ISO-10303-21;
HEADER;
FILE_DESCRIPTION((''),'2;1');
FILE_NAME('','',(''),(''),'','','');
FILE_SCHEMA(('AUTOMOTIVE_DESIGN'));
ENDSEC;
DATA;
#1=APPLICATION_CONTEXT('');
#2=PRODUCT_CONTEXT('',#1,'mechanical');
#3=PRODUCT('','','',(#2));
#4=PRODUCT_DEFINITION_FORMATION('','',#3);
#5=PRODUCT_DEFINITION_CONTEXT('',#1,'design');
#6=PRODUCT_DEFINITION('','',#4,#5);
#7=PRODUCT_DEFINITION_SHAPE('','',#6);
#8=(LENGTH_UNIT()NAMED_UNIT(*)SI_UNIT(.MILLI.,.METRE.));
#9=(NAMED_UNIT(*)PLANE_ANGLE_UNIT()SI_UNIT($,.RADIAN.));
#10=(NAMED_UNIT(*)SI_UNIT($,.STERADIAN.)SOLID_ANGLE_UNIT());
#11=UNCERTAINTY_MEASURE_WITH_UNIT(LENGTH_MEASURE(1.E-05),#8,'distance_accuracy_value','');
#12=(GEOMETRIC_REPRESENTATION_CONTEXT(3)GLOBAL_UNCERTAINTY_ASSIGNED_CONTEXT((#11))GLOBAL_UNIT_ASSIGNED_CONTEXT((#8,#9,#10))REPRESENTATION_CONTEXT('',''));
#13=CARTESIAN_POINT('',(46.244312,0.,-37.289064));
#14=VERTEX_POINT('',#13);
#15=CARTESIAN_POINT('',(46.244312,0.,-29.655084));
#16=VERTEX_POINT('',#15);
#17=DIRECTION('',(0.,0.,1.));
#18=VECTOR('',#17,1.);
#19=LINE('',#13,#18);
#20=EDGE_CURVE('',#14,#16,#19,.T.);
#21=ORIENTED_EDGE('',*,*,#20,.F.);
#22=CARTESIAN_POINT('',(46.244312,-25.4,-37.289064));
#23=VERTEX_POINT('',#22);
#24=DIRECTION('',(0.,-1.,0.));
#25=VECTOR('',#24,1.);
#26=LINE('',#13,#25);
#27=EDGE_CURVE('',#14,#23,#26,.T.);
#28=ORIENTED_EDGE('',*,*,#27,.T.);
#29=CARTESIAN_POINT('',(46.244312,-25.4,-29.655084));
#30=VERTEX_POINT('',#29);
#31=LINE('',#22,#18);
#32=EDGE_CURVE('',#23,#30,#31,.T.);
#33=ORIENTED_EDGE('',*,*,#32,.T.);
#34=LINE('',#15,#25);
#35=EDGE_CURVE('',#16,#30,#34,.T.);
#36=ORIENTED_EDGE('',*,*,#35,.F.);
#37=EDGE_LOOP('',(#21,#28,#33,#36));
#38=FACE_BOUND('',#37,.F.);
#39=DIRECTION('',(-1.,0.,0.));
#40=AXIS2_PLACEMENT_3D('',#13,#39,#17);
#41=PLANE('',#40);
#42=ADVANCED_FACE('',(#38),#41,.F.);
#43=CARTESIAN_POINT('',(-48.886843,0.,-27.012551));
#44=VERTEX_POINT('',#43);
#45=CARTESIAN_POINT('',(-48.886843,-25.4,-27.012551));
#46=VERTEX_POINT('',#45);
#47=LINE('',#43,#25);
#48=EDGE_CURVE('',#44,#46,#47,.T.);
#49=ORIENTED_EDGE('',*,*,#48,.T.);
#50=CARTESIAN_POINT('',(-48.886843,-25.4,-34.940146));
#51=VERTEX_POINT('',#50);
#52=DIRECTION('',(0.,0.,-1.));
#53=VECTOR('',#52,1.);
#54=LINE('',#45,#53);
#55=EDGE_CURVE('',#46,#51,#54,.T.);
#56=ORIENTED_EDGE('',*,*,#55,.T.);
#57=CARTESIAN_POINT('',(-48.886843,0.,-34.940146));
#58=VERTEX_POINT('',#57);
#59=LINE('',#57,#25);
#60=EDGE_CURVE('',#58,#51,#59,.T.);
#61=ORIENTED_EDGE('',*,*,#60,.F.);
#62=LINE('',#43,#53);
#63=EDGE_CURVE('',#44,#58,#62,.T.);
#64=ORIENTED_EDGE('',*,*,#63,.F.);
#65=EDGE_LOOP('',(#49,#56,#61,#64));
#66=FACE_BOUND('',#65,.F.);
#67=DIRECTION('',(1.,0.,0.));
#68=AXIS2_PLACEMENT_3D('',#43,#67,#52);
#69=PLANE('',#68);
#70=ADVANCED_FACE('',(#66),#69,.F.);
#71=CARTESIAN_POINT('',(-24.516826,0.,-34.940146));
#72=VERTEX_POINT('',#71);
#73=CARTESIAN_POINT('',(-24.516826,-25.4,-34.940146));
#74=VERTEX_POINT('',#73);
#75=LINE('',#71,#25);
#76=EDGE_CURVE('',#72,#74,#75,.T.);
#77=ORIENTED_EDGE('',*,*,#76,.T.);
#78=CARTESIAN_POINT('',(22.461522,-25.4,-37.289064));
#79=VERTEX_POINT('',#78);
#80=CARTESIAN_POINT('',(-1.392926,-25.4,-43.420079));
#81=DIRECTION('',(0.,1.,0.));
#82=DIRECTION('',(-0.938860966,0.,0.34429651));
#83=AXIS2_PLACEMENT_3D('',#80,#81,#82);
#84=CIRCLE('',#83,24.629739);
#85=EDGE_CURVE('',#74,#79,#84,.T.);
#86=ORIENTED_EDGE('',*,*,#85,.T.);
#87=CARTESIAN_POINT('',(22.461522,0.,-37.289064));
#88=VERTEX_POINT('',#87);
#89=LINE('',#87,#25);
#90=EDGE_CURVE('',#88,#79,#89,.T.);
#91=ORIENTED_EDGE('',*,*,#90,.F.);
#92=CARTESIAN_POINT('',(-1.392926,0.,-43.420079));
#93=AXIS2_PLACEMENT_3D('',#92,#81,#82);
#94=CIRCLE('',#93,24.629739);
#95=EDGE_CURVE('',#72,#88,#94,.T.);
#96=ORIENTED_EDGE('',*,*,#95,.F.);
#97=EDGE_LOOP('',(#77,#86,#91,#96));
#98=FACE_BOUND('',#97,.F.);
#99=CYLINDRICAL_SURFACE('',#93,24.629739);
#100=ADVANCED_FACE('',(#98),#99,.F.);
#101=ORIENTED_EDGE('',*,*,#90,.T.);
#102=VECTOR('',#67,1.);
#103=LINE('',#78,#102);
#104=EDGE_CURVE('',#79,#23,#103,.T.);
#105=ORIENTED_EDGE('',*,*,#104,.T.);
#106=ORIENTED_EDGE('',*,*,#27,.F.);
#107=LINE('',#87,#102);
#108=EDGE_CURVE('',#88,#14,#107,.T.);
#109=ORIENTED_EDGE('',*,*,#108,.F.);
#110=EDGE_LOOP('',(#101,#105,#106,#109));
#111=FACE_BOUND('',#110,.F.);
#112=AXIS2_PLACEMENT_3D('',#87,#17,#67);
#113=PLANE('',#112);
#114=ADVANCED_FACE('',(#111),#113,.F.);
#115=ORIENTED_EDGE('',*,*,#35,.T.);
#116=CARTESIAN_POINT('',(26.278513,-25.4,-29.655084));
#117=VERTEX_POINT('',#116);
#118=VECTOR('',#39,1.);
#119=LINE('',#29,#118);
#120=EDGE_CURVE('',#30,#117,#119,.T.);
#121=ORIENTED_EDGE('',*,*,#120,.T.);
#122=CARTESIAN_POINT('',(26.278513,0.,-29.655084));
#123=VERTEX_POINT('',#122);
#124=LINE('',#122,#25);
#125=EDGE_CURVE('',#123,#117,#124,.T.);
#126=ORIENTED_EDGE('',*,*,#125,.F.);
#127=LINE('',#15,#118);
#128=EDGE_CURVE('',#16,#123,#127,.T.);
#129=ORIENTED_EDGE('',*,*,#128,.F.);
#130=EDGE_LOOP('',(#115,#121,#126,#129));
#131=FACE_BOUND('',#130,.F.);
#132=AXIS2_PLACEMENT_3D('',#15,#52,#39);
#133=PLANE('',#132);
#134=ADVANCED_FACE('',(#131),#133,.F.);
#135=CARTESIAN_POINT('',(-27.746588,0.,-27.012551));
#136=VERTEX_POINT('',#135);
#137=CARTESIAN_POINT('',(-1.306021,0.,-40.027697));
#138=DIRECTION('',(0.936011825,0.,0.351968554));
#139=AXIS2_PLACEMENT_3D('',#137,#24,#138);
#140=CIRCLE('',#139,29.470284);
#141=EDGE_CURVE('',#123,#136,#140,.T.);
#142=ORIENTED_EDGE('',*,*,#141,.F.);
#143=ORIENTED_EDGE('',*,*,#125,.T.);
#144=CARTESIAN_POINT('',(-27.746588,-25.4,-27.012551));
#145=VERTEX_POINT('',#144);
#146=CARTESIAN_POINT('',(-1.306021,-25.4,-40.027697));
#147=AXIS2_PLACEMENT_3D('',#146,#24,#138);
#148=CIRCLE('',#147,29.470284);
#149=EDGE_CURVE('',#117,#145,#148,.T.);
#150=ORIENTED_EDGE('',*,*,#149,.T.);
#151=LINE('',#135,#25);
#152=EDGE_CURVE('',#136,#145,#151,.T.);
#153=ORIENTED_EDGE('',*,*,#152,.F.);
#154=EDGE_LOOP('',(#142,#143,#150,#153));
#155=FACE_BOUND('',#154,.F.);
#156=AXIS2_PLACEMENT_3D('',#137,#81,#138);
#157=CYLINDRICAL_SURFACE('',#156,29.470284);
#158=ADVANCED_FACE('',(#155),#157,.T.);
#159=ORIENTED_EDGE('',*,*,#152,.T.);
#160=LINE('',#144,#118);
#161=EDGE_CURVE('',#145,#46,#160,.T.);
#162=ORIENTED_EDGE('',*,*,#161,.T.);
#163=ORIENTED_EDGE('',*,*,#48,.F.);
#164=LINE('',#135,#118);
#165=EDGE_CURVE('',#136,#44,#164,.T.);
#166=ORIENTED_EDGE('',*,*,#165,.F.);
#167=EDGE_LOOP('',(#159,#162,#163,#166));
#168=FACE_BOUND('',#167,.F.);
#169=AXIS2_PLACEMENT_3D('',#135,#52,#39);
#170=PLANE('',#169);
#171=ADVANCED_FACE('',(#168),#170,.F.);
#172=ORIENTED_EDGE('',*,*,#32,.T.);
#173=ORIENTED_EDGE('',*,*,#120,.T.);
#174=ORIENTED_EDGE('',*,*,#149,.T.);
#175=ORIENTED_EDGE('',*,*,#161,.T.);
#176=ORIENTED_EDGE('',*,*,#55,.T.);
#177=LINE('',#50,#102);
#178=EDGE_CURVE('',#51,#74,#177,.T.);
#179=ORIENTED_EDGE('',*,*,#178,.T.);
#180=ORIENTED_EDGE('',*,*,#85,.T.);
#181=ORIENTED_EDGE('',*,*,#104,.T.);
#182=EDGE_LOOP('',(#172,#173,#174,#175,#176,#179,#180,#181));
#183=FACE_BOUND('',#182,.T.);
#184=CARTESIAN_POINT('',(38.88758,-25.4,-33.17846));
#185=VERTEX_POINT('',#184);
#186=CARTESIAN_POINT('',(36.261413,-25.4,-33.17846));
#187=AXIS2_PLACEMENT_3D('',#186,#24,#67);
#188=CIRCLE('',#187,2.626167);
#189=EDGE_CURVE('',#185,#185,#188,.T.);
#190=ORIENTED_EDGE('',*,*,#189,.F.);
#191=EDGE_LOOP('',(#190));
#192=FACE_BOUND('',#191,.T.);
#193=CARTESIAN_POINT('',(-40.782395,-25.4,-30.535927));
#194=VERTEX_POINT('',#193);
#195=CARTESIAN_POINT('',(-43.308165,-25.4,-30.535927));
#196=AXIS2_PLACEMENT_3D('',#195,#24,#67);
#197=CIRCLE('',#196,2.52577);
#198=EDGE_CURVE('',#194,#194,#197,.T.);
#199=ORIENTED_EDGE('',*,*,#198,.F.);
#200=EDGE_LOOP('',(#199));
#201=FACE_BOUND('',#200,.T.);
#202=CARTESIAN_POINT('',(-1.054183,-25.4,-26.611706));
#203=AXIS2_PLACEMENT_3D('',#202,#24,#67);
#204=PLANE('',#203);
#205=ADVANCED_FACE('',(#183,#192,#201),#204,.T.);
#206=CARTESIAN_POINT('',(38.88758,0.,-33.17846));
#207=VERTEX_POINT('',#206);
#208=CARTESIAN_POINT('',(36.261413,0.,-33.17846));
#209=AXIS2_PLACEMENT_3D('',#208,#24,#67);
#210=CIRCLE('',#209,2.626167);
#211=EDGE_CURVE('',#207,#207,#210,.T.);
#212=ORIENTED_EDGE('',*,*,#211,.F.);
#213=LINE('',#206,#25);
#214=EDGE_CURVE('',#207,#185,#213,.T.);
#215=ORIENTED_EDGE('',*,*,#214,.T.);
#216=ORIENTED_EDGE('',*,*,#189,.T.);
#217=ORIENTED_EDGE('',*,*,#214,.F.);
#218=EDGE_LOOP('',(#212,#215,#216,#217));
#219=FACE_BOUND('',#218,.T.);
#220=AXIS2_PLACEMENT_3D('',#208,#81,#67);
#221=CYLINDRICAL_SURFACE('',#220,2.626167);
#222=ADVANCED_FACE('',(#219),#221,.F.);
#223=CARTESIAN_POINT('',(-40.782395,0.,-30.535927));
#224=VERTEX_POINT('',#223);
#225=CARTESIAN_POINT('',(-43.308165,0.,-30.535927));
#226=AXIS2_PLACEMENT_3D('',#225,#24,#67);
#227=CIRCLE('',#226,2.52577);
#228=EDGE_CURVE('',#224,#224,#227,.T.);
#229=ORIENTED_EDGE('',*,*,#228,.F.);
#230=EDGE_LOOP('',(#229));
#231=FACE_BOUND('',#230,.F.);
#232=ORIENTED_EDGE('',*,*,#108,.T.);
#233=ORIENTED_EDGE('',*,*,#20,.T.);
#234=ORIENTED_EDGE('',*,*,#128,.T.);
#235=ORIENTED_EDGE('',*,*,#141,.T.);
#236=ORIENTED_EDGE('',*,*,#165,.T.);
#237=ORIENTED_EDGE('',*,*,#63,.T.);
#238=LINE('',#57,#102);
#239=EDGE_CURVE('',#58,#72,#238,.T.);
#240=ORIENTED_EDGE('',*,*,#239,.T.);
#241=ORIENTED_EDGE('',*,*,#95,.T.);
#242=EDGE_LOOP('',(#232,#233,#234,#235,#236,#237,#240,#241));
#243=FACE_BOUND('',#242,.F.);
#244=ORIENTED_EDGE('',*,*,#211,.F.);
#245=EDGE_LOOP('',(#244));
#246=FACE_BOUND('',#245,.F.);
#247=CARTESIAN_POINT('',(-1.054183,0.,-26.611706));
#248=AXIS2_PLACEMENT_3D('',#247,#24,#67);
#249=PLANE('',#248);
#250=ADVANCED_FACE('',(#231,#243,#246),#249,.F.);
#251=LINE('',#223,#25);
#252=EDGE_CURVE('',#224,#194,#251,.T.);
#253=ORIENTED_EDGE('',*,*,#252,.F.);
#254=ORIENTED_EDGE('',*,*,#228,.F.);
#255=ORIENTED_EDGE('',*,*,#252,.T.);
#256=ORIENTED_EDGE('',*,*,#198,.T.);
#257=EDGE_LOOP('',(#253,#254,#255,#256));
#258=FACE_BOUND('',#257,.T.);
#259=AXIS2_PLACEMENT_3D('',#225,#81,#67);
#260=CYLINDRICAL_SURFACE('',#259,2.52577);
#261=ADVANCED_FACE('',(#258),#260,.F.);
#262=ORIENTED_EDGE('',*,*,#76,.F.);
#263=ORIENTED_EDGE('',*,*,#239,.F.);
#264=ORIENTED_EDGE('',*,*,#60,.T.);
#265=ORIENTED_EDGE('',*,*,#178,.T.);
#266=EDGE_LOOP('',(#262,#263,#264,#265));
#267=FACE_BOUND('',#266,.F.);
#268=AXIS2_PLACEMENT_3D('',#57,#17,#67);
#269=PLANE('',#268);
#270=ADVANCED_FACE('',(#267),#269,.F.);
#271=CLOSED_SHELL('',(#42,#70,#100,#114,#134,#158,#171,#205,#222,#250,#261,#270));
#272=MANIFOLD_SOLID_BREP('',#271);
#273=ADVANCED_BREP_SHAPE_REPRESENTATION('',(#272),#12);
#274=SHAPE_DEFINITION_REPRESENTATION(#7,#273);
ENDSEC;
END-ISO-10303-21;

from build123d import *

# Parameters (mm, degrees)
F0_R     = 2.52577
F0_R_2   = 2.626167
F1_DEPTH = 25.4


with BuildPart() as f1:
    # F0 (on Front) → F1 (new body)
    with BuildSketch(Plane.XZ):
        with BuildLine():
            Line((-27.746588, -27.012551), (-48.886843, -27.012551))
            Line((-48.886843, -27.012551), (-48.886843, -34.940146))
            Line((-48.886843, -34.940146), (-24.516826, -34.940146))
            ThreePointArc((-24.516826, -34.940146), (-0.162975, -18.82107), (22.461522, -37.289064))
            Line((22.461522, -37.289064), (46.244312, -37.289064))
            Line((46.244312, -37.289064), (46.244312, -29.655084))
            Line((46.244312, -29.655084), (26.278513, -29.655084))
            ThreePointArc((26.278513, -29.655084), (0.133739, -10.592604), (-27.746588, -27.012551))
        make_face()
        with Locations((-43.308165, -30.535927)):
            Circle(F0_R, mode=Mode.SUBTRACT)
        with Locations((36.261413, -33.17846)):
            Circle(F0_R_2, mode=Mode.SUBTRACT)
    extrude(amount=F1_DEPTH)


solid = f1.part
